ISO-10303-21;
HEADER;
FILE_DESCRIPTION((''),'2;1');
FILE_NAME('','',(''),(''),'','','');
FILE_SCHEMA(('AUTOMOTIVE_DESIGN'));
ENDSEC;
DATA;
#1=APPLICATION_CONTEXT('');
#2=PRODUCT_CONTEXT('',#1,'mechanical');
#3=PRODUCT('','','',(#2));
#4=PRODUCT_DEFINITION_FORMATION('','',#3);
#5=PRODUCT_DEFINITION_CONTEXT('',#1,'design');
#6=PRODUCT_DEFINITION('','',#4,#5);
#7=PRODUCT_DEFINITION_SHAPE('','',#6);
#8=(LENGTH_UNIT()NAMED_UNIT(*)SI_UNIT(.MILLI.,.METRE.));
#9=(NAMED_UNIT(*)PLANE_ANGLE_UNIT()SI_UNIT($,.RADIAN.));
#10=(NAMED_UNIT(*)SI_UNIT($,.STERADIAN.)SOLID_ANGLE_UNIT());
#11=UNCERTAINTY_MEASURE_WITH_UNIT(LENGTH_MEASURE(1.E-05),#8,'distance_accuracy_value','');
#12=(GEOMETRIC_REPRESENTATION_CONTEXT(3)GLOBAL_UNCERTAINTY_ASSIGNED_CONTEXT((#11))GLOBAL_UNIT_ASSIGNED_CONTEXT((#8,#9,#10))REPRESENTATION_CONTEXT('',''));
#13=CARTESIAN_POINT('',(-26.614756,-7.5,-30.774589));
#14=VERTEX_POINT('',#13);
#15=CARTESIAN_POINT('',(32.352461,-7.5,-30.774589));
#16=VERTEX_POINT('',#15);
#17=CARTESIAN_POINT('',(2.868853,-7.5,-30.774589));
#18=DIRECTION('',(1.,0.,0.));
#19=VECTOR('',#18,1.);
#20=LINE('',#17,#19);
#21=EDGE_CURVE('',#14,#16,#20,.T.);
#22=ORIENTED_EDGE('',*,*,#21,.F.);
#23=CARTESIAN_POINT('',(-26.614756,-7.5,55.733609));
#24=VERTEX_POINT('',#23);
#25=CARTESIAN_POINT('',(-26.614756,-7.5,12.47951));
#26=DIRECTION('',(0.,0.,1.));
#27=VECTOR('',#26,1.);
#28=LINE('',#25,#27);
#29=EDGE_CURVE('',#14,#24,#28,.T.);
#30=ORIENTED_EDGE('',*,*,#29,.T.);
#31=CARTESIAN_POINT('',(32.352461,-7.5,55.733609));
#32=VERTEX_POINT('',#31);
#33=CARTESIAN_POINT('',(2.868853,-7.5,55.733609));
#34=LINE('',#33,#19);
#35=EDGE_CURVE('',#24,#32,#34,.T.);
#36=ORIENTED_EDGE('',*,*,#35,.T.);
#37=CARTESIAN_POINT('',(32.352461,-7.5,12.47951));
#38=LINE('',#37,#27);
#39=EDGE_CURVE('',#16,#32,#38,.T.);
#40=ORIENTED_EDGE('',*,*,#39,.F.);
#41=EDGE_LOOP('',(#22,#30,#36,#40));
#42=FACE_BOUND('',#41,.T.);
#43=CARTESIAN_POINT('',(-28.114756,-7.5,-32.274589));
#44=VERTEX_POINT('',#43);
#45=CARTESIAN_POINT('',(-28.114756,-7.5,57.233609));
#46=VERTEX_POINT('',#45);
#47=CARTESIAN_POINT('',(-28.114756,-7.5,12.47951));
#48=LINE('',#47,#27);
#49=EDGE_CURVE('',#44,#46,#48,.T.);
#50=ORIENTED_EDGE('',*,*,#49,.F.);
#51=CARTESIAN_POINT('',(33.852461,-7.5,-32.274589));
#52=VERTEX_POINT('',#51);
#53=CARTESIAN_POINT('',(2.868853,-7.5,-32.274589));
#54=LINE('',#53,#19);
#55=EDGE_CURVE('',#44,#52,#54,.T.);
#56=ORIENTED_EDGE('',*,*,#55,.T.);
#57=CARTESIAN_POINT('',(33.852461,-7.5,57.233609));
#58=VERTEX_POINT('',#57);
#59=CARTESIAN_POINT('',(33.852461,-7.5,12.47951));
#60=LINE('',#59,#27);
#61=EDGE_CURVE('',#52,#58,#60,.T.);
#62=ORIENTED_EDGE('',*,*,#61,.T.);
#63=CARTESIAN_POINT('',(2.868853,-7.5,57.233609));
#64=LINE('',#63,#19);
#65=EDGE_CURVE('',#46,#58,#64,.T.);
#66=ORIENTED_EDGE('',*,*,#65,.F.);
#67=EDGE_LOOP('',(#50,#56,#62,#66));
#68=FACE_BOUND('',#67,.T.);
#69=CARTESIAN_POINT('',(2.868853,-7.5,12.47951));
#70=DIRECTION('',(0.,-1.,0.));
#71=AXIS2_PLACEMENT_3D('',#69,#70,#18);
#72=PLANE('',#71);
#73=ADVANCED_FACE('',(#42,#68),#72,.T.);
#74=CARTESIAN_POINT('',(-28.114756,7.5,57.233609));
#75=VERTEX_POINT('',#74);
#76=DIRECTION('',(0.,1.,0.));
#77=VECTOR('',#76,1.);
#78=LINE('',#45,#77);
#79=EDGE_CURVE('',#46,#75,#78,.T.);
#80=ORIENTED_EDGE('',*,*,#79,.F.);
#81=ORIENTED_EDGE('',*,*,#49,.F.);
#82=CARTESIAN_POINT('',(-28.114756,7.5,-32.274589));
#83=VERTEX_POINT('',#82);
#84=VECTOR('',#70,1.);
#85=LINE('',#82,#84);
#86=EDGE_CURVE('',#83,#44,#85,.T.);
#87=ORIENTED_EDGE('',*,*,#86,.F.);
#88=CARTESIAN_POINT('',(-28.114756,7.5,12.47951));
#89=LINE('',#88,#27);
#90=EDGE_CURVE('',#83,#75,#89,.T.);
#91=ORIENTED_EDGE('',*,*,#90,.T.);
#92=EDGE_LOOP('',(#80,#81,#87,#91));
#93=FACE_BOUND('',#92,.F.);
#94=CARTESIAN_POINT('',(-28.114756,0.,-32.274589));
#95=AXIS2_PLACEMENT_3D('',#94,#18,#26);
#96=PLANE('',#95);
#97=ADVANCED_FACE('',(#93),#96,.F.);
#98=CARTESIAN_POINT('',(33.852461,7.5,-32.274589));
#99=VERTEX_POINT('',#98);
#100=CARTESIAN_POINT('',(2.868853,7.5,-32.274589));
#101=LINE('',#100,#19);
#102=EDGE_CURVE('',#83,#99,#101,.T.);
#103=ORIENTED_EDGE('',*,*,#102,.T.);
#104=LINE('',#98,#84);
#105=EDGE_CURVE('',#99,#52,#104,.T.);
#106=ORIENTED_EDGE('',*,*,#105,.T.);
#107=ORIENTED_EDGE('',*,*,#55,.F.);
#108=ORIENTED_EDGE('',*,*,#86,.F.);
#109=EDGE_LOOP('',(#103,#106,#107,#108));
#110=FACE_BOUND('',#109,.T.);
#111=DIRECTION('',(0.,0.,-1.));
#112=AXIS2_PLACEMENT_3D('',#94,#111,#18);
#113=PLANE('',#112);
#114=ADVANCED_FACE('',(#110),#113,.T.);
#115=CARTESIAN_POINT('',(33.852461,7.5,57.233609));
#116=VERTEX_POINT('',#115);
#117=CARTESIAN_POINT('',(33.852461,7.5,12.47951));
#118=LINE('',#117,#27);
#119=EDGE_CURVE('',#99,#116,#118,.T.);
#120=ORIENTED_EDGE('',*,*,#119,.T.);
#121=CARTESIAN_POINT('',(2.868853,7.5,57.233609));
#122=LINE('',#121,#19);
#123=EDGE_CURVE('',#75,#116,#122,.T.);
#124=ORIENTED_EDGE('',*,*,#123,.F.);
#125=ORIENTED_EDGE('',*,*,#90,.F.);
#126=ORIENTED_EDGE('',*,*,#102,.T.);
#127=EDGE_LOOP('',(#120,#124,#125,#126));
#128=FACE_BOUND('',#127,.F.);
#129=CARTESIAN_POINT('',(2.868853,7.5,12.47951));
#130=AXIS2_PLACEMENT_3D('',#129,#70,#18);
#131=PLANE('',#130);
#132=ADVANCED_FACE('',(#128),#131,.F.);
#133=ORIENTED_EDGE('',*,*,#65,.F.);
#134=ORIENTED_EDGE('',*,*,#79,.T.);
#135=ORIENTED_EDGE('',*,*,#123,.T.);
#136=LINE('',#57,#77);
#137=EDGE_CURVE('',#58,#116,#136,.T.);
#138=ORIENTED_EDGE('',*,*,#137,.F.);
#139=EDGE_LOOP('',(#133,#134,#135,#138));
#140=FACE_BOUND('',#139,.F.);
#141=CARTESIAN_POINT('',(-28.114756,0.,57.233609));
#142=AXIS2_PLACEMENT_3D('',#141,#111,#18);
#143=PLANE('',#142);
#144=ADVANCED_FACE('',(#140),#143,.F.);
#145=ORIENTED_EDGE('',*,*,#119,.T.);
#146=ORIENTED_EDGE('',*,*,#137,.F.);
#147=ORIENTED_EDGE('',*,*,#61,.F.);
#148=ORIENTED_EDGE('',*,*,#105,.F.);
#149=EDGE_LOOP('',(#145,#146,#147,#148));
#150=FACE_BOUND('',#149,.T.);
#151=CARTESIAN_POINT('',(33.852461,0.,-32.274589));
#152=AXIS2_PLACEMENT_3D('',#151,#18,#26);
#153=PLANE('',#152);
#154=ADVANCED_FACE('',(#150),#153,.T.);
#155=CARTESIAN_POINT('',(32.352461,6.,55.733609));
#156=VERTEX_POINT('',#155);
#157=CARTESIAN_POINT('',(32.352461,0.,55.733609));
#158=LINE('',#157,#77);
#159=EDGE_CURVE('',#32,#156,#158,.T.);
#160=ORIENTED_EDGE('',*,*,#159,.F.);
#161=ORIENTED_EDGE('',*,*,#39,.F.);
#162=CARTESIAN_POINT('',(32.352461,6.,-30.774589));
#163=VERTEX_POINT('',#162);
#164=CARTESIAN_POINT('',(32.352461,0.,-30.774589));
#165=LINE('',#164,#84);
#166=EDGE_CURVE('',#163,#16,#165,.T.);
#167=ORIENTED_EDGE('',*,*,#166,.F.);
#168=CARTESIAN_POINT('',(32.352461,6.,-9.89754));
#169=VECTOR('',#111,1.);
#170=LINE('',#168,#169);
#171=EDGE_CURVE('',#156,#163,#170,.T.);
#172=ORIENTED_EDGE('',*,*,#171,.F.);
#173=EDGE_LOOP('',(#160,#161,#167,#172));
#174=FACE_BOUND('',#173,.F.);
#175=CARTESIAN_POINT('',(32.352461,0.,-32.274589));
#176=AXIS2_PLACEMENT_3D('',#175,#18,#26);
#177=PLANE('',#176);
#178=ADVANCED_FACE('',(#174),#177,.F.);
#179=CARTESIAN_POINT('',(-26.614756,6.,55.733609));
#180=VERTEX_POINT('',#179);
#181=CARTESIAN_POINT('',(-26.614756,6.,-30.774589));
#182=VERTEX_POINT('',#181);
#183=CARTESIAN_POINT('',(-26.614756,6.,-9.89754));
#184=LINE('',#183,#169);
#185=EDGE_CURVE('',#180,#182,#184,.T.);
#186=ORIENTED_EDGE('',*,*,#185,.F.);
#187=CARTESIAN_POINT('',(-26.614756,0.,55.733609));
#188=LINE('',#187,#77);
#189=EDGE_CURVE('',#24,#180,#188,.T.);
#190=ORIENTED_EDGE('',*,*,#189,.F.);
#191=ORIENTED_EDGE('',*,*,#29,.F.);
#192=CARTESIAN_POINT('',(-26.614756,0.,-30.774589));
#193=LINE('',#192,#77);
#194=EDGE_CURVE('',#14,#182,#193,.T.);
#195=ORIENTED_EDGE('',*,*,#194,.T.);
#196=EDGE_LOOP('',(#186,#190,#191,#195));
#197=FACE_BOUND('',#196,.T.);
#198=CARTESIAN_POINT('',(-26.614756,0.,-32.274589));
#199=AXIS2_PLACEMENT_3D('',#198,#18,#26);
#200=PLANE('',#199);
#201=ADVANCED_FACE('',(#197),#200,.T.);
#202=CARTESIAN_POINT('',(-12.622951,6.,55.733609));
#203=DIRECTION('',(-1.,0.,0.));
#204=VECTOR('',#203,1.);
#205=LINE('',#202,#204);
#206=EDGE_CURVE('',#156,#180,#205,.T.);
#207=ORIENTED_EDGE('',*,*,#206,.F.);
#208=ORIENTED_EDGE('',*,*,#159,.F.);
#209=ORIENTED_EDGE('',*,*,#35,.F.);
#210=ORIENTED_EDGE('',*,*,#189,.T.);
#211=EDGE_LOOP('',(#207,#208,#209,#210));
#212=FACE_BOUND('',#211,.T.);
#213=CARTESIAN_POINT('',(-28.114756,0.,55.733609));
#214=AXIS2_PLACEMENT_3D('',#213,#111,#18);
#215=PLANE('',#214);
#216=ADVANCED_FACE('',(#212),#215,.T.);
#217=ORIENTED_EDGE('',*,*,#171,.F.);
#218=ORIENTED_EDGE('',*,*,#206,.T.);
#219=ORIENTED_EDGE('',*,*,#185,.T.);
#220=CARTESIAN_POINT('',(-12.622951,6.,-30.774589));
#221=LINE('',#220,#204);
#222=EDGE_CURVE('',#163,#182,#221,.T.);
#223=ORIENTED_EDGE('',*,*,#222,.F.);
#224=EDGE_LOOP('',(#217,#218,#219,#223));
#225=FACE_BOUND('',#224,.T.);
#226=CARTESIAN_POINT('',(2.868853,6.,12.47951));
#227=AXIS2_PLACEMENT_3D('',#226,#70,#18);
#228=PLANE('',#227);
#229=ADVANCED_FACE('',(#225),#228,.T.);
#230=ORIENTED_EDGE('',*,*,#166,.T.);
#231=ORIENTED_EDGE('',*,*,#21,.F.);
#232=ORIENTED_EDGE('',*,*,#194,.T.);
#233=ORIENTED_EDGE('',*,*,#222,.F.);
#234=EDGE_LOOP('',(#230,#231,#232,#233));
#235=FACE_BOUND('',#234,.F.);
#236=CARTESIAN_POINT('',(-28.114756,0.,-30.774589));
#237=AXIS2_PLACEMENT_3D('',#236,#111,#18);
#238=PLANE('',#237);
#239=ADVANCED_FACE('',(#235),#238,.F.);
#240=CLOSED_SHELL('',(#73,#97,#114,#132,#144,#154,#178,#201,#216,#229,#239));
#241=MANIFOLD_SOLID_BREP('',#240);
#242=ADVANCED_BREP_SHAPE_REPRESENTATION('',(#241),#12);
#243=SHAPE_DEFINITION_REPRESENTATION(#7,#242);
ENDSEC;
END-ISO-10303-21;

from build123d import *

# Parameters (mm, degrees)
F0_W     = 61.967217
F0_H     = 89.508198
F1_DEPTH = 7.5
F2_T     = -1.5


with BuildPart() as f1:
    # F0 (on Front) → F1 (new body, symmetric)
    with BuildSketch(Plane.XZ):
        with Locations((2.868853, 12.47951)):
            Rectangle(F0_W, F0_H)
    extrude(amount=F1_DEPTH, both=True)

    # F2
    f2_openings = [f1.faces().sort_by_distance(p)[0] for p in [
        (2.868854, -7.5, 12.47951),
    ]]
    offset(amount=F2_T, openings=f2_openings)


solid = f1.part
